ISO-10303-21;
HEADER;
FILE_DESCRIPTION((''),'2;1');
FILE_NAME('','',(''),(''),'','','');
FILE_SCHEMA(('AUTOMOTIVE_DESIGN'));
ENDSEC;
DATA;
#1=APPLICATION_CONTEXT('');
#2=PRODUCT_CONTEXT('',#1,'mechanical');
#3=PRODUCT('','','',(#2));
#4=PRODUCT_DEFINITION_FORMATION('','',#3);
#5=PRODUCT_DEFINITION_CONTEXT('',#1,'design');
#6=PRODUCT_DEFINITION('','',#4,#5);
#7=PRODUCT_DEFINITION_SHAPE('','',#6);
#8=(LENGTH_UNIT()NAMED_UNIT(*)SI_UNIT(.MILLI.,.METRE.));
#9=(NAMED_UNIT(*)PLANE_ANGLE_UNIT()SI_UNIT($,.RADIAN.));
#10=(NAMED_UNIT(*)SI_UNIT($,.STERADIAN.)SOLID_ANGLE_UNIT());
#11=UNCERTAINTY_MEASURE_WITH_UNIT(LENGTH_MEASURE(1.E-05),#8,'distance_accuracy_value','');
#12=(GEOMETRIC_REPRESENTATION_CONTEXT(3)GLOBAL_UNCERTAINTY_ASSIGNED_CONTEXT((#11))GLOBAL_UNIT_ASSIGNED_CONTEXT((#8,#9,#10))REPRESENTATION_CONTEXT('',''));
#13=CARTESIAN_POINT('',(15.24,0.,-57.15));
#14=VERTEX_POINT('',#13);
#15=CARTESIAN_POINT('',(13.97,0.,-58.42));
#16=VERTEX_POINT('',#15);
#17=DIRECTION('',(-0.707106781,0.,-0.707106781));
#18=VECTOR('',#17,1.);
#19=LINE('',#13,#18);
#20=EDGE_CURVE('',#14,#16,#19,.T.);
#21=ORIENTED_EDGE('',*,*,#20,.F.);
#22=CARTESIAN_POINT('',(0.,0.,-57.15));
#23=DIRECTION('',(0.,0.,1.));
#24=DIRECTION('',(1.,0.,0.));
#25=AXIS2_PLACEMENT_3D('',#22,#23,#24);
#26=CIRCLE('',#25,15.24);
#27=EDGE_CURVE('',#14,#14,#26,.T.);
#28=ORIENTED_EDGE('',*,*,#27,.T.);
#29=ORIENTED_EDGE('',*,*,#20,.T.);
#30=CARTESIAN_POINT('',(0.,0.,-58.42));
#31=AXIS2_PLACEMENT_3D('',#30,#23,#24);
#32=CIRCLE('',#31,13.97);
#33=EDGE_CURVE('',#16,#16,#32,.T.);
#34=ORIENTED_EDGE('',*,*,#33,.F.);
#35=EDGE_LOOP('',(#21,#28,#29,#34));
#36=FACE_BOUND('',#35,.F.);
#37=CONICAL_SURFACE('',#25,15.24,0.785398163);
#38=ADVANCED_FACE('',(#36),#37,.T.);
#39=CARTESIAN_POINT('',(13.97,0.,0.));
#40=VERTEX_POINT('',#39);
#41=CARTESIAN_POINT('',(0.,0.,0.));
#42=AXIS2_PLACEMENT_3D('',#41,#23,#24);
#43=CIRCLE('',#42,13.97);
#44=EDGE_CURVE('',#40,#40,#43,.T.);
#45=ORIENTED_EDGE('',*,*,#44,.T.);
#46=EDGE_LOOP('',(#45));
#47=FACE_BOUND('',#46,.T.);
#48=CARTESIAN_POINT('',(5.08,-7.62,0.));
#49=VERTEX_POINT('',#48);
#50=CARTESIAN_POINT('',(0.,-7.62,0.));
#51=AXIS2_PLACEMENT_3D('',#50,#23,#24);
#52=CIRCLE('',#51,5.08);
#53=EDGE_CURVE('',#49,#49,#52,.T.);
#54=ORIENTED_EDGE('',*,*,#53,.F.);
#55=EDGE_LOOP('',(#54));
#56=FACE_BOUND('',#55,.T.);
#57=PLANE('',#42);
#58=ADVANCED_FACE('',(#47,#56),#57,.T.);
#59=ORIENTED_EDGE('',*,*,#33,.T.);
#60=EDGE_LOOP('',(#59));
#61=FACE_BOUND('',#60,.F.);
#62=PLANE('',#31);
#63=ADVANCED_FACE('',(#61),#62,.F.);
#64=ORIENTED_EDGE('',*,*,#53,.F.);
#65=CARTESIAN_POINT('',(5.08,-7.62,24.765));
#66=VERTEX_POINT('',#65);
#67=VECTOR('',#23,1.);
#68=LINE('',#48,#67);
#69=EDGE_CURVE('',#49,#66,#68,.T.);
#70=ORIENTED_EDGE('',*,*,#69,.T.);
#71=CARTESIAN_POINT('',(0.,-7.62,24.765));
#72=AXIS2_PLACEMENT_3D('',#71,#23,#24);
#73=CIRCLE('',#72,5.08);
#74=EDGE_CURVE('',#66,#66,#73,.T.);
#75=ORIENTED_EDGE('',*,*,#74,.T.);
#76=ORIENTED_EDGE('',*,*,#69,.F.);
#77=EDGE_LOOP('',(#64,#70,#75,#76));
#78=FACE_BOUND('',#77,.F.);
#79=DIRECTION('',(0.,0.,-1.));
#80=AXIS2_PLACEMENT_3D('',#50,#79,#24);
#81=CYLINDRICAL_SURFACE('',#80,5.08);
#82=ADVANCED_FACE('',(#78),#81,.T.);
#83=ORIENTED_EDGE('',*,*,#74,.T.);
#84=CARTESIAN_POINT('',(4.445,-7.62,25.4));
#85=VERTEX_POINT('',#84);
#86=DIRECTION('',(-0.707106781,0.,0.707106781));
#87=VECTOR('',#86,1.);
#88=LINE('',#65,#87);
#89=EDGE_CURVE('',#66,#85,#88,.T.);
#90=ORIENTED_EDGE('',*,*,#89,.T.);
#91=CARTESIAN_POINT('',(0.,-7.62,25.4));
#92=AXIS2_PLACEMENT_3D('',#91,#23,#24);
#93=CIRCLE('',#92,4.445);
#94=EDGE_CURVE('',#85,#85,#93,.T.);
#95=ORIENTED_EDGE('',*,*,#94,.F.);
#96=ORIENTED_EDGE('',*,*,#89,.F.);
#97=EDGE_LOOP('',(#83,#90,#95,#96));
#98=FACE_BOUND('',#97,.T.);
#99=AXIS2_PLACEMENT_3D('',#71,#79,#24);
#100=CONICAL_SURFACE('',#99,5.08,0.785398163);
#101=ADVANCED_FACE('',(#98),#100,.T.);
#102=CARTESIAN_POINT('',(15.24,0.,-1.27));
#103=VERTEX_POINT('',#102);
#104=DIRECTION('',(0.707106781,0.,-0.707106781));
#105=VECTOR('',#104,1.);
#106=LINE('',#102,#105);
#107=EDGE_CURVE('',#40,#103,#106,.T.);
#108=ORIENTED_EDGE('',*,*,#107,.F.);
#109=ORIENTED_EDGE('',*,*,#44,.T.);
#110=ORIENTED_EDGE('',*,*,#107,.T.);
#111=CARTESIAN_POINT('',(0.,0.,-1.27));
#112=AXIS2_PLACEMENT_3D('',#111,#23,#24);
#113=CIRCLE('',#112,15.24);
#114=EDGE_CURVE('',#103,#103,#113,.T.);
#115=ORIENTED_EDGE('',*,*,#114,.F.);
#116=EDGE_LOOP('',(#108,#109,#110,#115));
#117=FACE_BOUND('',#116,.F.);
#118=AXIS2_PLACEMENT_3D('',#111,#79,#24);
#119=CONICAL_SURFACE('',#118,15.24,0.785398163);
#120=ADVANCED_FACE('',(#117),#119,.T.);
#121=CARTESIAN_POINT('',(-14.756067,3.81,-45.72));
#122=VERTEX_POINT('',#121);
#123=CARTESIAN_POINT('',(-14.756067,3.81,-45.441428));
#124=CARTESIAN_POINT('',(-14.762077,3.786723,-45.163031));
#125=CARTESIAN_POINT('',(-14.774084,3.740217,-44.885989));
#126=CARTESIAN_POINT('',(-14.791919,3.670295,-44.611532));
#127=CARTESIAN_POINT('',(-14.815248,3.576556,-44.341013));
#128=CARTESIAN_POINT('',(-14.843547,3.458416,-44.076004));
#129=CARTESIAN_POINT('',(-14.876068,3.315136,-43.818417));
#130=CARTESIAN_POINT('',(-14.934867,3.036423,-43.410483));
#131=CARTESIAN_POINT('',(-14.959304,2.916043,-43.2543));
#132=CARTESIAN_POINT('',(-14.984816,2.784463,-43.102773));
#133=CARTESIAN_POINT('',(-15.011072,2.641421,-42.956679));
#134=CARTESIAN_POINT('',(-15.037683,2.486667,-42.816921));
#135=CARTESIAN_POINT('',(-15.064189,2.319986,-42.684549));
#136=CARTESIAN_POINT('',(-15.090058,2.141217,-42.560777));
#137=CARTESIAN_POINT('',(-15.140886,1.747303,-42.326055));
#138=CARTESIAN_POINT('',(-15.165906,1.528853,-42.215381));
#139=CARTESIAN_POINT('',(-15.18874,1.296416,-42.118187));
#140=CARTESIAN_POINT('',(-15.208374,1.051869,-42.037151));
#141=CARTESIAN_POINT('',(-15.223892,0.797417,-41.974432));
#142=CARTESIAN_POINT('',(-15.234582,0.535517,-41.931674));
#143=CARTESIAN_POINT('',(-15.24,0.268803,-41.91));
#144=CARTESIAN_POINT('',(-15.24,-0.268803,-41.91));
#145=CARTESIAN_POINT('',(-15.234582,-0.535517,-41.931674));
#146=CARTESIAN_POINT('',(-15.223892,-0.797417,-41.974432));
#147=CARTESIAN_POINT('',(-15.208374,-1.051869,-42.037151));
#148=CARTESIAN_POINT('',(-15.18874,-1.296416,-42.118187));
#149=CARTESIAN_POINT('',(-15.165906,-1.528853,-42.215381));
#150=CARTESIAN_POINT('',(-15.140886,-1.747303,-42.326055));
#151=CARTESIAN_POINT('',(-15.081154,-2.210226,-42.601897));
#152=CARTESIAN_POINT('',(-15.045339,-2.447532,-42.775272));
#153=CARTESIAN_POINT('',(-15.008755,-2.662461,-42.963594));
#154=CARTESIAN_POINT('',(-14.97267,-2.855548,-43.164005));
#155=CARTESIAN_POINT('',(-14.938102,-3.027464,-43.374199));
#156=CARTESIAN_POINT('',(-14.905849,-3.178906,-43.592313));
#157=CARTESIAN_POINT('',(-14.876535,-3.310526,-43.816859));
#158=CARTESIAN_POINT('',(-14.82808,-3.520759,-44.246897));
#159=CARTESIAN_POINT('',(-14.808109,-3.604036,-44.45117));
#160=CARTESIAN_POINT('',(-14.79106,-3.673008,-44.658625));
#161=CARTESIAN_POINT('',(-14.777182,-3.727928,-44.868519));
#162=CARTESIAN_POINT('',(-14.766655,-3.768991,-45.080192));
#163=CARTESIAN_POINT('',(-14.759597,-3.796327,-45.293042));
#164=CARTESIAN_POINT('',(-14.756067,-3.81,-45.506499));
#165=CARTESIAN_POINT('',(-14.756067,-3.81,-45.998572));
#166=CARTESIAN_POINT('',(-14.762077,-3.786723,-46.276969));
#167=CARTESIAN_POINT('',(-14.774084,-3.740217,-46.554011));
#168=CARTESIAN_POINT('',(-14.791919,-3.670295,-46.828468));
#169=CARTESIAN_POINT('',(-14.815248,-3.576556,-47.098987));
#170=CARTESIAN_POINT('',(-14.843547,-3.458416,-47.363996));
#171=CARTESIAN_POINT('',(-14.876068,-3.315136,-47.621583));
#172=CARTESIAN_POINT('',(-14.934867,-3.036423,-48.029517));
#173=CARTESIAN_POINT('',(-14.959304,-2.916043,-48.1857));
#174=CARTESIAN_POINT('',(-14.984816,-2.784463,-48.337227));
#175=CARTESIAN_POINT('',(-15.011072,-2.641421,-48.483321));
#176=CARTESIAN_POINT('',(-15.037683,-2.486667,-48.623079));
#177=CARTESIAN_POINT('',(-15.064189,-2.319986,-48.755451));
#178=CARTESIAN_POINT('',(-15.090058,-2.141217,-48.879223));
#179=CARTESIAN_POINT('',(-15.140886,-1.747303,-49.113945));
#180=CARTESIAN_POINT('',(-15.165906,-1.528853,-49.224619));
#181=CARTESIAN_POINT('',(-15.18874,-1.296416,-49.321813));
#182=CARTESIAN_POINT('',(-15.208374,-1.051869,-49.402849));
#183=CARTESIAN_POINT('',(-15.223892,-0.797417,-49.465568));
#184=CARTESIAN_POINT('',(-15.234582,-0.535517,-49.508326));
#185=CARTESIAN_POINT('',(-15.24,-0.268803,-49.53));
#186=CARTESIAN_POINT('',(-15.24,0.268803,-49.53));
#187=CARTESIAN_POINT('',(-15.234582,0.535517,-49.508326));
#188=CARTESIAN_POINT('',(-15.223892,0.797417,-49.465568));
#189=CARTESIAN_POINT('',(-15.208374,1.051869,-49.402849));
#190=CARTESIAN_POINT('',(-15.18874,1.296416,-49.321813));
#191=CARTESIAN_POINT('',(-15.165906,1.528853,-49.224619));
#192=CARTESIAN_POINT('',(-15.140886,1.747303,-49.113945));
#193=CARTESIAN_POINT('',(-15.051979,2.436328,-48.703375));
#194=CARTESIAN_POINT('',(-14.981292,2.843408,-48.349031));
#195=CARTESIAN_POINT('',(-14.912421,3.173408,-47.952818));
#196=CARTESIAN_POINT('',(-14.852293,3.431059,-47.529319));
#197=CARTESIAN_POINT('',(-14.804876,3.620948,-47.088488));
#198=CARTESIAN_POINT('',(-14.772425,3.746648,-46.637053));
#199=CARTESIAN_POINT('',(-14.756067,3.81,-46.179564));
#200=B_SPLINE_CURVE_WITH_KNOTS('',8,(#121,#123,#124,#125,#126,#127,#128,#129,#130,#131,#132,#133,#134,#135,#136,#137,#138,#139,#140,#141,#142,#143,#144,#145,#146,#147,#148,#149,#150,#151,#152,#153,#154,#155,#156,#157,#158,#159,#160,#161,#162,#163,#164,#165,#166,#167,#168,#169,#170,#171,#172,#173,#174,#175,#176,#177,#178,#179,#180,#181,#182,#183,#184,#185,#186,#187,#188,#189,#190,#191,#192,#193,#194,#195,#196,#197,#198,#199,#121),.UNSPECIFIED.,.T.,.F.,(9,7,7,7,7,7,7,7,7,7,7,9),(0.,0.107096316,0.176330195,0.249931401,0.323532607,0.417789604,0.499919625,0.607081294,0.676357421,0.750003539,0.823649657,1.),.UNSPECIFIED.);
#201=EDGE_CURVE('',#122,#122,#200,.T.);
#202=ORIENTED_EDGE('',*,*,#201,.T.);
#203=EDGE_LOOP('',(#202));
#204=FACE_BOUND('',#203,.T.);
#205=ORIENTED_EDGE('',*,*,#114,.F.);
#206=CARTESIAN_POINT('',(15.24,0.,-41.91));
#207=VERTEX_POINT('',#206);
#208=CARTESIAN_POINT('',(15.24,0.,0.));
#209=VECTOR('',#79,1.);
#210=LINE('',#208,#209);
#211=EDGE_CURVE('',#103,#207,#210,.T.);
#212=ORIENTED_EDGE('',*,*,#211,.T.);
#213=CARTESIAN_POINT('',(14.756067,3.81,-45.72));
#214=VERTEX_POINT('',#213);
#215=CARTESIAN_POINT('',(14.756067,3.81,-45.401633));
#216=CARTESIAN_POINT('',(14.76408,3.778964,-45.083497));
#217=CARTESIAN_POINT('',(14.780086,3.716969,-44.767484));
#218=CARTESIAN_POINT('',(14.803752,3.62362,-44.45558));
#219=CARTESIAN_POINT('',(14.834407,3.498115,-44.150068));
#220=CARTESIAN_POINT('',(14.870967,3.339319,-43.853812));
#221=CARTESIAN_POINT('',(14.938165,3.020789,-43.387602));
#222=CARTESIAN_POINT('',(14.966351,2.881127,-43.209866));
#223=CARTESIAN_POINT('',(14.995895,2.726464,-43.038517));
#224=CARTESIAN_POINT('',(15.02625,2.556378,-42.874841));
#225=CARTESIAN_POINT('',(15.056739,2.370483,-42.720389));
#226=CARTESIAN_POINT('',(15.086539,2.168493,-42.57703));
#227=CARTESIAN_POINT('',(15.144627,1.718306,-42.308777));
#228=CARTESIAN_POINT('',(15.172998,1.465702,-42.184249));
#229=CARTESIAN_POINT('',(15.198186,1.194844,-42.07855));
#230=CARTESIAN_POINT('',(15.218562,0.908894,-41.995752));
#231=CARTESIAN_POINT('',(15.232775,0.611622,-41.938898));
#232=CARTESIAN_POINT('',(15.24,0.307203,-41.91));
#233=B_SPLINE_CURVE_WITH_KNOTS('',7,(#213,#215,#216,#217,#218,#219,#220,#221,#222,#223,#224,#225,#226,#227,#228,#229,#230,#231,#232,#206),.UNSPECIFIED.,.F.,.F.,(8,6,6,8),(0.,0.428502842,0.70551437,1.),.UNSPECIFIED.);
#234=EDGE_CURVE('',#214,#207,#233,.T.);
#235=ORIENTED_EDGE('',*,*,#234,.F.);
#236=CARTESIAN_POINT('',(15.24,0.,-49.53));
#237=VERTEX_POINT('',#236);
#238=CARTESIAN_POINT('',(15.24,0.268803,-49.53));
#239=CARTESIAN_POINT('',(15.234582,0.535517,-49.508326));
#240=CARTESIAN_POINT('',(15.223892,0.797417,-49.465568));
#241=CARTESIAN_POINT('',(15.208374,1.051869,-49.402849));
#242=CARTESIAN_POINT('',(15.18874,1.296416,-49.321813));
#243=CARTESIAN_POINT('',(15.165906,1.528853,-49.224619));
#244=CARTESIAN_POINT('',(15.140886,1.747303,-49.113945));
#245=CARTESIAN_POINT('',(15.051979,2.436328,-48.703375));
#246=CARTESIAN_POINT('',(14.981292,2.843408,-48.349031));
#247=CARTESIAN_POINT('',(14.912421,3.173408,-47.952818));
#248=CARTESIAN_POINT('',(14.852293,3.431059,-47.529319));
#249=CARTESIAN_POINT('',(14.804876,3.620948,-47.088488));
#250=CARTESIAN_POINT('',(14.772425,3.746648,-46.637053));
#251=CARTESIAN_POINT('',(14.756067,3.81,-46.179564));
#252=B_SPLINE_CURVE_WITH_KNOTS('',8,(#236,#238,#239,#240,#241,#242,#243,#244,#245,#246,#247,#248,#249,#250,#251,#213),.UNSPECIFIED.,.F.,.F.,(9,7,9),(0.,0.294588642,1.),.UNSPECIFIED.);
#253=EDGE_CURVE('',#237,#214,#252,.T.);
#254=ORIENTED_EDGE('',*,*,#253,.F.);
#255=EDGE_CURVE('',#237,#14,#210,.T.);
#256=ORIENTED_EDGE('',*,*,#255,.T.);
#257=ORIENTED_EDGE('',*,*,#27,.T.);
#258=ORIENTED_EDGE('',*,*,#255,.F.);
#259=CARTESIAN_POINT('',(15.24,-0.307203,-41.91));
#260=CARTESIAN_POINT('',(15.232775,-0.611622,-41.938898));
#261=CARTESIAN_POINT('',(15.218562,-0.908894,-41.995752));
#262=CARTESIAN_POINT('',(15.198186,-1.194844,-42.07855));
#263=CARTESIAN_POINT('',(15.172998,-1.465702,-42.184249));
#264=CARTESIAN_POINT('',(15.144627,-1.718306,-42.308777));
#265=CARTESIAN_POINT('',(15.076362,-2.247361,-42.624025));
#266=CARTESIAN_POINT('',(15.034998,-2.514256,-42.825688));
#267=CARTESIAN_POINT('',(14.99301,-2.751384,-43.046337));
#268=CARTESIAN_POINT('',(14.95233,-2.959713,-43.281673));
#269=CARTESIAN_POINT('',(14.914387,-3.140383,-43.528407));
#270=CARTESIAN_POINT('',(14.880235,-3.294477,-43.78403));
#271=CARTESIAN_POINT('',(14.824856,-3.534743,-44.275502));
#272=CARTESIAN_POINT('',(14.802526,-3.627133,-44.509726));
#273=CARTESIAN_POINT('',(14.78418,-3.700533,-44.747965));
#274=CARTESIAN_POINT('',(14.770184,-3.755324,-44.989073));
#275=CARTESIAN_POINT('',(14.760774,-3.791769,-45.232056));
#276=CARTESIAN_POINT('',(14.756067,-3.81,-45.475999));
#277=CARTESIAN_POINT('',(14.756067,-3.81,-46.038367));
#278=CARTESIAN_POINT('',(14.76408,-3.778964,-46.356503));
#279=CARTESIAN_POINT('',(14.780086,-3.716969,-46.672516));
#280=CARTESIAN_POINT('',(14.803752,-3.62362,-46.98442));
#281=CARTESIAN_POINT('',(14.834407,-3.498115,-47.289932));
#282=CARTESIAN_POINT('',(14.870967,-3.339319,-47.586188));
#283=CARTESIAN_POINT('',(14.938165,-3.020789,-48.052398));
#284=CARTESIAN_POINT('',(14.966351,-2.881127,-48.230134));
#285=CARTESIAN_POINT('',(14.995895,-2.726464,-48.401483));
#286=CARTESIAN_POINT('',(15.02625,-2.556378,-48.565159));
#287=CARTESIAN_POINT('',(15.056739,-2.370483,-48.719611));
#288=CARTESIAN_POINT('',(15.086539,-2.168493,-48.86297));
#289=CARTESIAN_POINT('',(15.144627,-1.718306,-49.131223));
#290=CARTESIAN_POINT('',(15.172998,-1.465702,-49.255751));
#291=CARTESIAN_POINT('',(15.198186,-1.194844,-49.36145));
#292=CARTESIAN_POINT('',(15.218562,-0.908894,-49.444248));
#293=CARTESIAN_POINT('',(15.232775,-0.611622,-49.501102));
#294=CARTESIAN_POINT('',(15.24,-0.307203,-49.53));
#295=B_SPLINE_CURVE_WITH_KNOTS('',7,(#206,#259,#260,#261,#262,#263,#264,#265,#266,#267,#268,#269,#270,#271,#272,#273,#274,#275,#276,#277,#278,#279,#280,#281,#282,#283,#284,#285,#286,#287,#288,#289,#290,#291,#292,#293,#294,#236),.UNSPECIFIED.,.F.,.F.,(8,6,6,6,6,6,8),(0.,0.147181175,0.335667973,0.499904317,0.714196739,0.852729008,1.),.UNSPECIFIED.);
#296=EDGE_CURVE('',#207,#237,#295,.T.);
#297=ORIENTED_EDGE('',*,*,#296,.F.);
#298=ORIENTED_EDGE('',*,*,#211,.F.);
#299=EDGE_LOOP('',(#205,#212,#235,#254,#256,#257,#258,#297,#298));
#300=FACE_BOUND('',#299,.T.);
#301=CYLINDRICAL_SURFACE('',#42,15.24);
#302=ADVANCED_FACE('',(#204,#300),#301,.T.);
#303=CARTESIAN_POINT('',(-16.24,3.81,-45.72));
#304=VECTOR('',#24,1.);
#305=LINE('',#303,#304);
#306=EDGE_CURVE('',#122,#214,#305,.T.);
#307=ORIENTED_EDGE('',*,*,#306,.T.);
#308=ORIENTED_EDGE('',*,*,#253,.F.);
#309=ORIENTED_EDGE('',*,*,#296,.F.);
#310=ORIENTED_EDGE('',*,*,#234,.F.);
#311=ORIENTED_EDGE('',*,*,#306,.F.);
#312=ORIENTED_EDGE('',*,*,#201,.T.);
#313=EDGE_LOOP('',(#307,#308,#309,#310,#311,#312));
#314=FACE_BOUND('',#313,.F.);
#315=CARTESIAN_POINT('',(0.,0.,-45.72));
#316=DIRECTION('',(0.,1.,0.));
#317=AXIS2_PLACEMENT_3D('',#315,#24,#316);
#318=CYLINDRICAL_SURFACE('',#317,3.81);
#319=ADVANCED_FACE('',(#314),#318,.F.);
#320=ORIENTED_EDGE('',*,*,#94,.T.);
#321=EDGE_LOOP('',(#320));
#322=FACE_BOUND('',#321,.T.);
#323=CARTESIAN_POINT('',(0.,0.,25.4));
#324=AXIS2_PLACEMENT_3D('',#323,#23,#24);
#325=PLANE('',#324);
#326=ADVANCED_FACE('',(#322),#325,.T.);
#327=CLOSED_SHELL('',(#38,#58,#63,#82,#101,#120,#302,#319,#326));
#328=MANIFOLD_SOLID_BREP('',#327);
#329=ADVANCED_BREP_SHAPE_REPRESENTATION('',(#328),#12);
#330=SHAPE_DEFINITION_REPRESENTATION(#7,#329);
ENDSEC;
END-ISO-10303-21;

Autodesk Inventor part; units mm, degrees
ref_plane "YZ Plane" through (0, 0, 0) normal (1, 0, 0) x (0, 1, 0)
ref_plane "XZ Plane" through (0, 0, 0) normal (0, 1, 0) x (-1, 0, 0)
ref_plane "XY Plane" through (0, 0, 0) normal (0, 0, 1) x (1, 0, 0)
sketch "Sketch1" plane through (0, 0, 0) normal (0, 0, 1) x (1, 0, 0)
  circle A0 centre (0, 0) radius 15.24
  circle A1 centre (0, -7.62) radius 5.08
  dimension "d0" = 30.48
  dimension "d1" = 10.16
  dimension "d2" = 7.62
extrude "Extrusion1" add sketch "Sketch1" against normal blind 58.42 contours A0 | A1
extrude "Extrusion2" add sketch "Sketch1" along normal blind 25.4 contours A1
sketch "Sketch2" plane through (0, 0, 0) normal (1, 0, 0) x (0, 1, 0)
  line L0 (15.24, 0) -> (15.24, -58.42) projected
  line L1 (15.24, -58.42) -> (-15.24, -58.42) projected
  line L2 (-15.24, -58.42) -> (-15.24, 0) projected
  line L3 (-15.24, 0) -> (-12.7, 0) projected
  line L4 (-12.7, 0) -> (-12.7, 25.4) projected
  line L5 (-12.7, 25.4) -> (-2.54, 25.4) projected
  line L6 (-2.54, 25.4) -> (-2.54, 0) projected
  line L7 (-2.54, 0) -> (15.24, 0) projected
  line L8 (-15.24, -58.42) -> (15.24, -58.42) projected
  line L9 (15.24, 0) -> (-15.24, 0) projected
  circle A0 centre (0, -45.72) radius 3.81
  point P0 (0, 0)
  dimension "d7" = 7.62
  dimension "d8" = 12.7
extrude "Extrusion3" cut sketch "Sketch2" against normal through all both and the other way through all contours A0
chamfer "Chamfer1" distance 0.635 angle 45 1 edges at (-5.08, -7.62, 25.4) measured on face at (5.0635, -8.0288, 16.9333)
chamfer "Chamfer2" distance 1.27 angle 45 2 edges at (-15.24, 0, -58.42) (-15.24, 0, 0) measured on face at (9.6385, 11.805, -38.9467)
equation "\"BendRadius\" = Thickness"
equation "\"BendReliefWidth\" = Thickness"
equation "\"BendReliefDepth\" = 0.5 * Thickness"
equation "\"CornerReliefSize\" = 4 * Thickness"
equation "\"MinimumRemnant\" = 2 * Thickness"
equation "\"TransitionRadius\" = BendRadius"
equation "\"JacobiRadiusSize\" = BendRadius"
equation "\"GapSize\" = Thickness"
equation "\"Thickness\" = 3.048"
properties part number "crankshaft valve crank" material "Stainless Steel"
